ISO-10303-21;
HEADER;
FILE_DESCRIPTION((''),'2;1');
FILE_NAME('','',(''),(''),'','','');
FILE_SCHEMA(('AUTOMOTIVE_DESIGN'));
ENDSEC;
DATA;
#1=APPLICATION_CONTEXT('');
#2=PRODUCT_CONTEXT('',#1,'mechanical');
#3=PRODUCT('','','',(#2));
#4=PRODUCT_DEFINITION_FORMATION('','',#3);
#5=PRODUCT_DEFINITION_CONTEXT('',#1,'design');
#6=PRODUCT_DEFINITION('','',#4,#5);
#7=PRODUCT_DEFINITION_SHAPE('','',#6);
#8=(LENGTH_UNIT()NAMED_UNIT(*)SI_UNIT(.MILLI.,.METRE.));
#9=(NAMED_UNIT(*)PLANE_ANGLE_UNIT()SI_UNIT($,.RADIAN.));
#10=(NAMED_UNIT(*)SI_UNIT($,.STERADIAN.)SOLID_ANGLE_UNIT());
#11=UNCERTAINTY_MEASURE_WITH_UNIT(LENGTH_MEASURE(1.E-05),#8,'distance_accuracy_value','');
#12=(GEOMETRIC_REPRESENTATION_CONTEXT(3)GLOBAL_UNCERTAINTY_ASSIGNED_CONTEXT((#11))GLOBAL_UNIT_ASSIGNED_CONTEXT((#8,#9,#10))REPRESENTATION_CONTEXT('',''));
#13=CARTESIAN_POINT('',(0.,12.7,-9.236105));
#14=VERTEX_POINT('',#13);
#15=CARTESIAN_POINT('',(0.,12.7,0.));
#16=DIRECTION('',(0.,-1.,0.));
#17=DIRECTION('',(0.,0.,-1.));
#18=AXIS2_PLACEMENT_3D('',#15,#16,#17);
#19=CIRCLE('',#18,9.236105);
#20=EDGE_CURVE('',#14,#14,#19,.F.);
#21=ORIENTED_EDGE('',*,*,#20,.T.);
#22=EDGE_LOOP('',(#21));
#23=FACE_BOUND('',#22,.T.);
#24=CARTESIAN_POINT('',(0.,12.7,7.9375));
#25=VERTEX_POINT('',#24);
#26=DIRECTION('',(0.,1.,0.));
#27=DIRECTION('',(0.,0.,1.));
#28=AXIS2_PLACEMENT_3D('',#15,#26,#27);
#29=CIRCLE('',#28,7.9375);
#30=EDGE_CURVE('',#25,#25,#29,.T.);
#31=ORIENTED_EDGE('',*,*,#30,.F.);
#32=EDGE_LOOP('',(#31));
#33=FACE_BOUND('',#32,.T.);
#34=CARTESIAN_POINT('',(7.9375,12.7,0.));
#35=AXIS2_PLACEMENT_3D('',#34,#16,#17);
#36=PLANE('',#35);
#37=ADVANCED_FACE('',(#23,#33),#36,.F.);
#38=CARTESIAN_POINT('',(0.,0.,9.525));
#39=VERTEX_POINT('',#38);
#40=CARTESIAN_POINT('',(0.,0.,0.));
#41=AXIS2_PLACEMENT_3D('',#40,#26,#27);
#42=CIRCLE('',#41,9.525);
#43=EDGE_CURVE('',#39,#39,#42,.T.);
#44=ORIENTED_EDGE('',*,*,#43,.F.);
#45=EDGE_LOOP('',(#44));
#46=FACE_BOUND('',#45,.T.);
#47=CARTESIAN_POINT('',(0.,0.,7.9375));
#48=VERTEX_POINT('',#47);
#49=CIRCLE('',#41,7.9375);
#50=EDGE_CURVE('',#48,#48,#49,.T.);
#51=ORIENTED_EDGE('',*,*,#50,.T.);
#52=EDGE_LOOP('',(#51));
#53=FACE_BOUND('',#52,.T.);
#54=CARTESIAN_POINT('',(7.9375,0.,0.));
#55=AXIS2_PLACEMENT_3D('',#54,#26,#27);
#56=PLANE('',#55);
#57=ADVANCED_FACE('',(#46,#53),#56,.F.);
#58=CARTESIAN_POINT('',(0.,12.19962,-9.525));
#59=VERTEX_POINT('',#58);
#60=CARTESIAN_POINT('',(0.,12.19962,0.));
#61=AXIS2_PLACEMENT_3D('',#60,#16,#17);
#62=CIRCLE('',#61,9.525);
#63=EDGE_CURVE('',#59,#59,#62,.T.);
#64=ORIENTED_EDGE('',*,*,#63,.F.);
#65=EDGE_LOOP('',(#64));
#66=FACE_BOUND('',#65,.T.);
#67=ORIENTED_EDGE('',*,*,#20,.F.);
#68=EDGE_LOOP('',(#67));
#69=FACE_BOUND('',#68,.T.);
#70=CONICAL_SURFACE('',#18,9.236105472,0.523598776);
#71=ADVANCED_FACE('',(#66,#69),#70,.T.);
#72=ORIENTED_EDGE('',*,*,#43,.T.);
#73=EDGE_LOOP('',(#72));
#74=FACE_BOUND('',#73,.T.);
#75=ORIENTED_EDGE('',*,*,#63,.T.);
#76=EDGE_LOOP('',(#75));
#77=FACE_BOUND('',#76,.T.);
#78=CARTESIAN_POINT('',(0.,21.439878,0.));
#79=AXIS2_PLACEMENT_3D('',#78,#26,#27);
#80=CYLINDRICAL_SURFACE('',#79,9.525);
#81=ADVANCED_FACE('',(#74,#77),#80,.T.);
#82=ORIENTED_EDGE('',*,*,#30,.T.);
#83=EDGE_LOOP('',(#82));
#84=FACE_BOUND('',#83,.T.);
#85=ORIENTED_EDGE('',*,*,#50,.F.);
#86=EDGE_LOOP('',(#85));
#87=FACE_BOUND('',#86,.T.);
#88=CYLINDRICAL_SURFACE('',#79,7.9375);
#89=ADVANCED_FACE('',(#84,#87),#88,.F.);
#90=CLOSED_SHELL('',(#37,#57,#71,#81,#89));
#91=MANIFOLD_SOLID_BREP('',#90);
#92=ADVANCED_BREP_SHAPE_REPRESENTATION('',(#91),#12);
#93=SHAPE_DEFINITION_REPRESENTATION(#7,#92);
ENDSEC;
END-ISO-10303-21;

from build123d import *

# Parameters (mm, degrees)
SKETCH1_W      = 1.5875
SKETCH1_H      = 12.7
CHAMFER1_SIZE  = 0.50038
CHAMFER1_SIZE2 = 0.288894528


with BuildPart() as part:
    # Sketch1 → Revolve1 (revolve)
    with BuildSketch(Plane.XY):
        with Locations((8.73125, 6.35)):
            Rectangle(SKETCH1_W, SKETCH1_H)
    revolve(axis=Axis((0, 21.439877717, 0), (0, -1, 0)))

    # Chamfer1
    chamfer1_edges = [part.edges().sort_by_distance(p)[0] for p in [
        (-9.525, 12.7, 0),
    ]]
    chamfer1_side = [part.faces().sort_by_distance(p)[0] for p in [
        (-9.525, 6.35, 0),
    ]]
    chamfer(chamfer1_edges, length=CHAMFER1_SIZE, length2=CHAMFER1_SIZE2, reference=chamfer1_side[0])


solid = part.part
